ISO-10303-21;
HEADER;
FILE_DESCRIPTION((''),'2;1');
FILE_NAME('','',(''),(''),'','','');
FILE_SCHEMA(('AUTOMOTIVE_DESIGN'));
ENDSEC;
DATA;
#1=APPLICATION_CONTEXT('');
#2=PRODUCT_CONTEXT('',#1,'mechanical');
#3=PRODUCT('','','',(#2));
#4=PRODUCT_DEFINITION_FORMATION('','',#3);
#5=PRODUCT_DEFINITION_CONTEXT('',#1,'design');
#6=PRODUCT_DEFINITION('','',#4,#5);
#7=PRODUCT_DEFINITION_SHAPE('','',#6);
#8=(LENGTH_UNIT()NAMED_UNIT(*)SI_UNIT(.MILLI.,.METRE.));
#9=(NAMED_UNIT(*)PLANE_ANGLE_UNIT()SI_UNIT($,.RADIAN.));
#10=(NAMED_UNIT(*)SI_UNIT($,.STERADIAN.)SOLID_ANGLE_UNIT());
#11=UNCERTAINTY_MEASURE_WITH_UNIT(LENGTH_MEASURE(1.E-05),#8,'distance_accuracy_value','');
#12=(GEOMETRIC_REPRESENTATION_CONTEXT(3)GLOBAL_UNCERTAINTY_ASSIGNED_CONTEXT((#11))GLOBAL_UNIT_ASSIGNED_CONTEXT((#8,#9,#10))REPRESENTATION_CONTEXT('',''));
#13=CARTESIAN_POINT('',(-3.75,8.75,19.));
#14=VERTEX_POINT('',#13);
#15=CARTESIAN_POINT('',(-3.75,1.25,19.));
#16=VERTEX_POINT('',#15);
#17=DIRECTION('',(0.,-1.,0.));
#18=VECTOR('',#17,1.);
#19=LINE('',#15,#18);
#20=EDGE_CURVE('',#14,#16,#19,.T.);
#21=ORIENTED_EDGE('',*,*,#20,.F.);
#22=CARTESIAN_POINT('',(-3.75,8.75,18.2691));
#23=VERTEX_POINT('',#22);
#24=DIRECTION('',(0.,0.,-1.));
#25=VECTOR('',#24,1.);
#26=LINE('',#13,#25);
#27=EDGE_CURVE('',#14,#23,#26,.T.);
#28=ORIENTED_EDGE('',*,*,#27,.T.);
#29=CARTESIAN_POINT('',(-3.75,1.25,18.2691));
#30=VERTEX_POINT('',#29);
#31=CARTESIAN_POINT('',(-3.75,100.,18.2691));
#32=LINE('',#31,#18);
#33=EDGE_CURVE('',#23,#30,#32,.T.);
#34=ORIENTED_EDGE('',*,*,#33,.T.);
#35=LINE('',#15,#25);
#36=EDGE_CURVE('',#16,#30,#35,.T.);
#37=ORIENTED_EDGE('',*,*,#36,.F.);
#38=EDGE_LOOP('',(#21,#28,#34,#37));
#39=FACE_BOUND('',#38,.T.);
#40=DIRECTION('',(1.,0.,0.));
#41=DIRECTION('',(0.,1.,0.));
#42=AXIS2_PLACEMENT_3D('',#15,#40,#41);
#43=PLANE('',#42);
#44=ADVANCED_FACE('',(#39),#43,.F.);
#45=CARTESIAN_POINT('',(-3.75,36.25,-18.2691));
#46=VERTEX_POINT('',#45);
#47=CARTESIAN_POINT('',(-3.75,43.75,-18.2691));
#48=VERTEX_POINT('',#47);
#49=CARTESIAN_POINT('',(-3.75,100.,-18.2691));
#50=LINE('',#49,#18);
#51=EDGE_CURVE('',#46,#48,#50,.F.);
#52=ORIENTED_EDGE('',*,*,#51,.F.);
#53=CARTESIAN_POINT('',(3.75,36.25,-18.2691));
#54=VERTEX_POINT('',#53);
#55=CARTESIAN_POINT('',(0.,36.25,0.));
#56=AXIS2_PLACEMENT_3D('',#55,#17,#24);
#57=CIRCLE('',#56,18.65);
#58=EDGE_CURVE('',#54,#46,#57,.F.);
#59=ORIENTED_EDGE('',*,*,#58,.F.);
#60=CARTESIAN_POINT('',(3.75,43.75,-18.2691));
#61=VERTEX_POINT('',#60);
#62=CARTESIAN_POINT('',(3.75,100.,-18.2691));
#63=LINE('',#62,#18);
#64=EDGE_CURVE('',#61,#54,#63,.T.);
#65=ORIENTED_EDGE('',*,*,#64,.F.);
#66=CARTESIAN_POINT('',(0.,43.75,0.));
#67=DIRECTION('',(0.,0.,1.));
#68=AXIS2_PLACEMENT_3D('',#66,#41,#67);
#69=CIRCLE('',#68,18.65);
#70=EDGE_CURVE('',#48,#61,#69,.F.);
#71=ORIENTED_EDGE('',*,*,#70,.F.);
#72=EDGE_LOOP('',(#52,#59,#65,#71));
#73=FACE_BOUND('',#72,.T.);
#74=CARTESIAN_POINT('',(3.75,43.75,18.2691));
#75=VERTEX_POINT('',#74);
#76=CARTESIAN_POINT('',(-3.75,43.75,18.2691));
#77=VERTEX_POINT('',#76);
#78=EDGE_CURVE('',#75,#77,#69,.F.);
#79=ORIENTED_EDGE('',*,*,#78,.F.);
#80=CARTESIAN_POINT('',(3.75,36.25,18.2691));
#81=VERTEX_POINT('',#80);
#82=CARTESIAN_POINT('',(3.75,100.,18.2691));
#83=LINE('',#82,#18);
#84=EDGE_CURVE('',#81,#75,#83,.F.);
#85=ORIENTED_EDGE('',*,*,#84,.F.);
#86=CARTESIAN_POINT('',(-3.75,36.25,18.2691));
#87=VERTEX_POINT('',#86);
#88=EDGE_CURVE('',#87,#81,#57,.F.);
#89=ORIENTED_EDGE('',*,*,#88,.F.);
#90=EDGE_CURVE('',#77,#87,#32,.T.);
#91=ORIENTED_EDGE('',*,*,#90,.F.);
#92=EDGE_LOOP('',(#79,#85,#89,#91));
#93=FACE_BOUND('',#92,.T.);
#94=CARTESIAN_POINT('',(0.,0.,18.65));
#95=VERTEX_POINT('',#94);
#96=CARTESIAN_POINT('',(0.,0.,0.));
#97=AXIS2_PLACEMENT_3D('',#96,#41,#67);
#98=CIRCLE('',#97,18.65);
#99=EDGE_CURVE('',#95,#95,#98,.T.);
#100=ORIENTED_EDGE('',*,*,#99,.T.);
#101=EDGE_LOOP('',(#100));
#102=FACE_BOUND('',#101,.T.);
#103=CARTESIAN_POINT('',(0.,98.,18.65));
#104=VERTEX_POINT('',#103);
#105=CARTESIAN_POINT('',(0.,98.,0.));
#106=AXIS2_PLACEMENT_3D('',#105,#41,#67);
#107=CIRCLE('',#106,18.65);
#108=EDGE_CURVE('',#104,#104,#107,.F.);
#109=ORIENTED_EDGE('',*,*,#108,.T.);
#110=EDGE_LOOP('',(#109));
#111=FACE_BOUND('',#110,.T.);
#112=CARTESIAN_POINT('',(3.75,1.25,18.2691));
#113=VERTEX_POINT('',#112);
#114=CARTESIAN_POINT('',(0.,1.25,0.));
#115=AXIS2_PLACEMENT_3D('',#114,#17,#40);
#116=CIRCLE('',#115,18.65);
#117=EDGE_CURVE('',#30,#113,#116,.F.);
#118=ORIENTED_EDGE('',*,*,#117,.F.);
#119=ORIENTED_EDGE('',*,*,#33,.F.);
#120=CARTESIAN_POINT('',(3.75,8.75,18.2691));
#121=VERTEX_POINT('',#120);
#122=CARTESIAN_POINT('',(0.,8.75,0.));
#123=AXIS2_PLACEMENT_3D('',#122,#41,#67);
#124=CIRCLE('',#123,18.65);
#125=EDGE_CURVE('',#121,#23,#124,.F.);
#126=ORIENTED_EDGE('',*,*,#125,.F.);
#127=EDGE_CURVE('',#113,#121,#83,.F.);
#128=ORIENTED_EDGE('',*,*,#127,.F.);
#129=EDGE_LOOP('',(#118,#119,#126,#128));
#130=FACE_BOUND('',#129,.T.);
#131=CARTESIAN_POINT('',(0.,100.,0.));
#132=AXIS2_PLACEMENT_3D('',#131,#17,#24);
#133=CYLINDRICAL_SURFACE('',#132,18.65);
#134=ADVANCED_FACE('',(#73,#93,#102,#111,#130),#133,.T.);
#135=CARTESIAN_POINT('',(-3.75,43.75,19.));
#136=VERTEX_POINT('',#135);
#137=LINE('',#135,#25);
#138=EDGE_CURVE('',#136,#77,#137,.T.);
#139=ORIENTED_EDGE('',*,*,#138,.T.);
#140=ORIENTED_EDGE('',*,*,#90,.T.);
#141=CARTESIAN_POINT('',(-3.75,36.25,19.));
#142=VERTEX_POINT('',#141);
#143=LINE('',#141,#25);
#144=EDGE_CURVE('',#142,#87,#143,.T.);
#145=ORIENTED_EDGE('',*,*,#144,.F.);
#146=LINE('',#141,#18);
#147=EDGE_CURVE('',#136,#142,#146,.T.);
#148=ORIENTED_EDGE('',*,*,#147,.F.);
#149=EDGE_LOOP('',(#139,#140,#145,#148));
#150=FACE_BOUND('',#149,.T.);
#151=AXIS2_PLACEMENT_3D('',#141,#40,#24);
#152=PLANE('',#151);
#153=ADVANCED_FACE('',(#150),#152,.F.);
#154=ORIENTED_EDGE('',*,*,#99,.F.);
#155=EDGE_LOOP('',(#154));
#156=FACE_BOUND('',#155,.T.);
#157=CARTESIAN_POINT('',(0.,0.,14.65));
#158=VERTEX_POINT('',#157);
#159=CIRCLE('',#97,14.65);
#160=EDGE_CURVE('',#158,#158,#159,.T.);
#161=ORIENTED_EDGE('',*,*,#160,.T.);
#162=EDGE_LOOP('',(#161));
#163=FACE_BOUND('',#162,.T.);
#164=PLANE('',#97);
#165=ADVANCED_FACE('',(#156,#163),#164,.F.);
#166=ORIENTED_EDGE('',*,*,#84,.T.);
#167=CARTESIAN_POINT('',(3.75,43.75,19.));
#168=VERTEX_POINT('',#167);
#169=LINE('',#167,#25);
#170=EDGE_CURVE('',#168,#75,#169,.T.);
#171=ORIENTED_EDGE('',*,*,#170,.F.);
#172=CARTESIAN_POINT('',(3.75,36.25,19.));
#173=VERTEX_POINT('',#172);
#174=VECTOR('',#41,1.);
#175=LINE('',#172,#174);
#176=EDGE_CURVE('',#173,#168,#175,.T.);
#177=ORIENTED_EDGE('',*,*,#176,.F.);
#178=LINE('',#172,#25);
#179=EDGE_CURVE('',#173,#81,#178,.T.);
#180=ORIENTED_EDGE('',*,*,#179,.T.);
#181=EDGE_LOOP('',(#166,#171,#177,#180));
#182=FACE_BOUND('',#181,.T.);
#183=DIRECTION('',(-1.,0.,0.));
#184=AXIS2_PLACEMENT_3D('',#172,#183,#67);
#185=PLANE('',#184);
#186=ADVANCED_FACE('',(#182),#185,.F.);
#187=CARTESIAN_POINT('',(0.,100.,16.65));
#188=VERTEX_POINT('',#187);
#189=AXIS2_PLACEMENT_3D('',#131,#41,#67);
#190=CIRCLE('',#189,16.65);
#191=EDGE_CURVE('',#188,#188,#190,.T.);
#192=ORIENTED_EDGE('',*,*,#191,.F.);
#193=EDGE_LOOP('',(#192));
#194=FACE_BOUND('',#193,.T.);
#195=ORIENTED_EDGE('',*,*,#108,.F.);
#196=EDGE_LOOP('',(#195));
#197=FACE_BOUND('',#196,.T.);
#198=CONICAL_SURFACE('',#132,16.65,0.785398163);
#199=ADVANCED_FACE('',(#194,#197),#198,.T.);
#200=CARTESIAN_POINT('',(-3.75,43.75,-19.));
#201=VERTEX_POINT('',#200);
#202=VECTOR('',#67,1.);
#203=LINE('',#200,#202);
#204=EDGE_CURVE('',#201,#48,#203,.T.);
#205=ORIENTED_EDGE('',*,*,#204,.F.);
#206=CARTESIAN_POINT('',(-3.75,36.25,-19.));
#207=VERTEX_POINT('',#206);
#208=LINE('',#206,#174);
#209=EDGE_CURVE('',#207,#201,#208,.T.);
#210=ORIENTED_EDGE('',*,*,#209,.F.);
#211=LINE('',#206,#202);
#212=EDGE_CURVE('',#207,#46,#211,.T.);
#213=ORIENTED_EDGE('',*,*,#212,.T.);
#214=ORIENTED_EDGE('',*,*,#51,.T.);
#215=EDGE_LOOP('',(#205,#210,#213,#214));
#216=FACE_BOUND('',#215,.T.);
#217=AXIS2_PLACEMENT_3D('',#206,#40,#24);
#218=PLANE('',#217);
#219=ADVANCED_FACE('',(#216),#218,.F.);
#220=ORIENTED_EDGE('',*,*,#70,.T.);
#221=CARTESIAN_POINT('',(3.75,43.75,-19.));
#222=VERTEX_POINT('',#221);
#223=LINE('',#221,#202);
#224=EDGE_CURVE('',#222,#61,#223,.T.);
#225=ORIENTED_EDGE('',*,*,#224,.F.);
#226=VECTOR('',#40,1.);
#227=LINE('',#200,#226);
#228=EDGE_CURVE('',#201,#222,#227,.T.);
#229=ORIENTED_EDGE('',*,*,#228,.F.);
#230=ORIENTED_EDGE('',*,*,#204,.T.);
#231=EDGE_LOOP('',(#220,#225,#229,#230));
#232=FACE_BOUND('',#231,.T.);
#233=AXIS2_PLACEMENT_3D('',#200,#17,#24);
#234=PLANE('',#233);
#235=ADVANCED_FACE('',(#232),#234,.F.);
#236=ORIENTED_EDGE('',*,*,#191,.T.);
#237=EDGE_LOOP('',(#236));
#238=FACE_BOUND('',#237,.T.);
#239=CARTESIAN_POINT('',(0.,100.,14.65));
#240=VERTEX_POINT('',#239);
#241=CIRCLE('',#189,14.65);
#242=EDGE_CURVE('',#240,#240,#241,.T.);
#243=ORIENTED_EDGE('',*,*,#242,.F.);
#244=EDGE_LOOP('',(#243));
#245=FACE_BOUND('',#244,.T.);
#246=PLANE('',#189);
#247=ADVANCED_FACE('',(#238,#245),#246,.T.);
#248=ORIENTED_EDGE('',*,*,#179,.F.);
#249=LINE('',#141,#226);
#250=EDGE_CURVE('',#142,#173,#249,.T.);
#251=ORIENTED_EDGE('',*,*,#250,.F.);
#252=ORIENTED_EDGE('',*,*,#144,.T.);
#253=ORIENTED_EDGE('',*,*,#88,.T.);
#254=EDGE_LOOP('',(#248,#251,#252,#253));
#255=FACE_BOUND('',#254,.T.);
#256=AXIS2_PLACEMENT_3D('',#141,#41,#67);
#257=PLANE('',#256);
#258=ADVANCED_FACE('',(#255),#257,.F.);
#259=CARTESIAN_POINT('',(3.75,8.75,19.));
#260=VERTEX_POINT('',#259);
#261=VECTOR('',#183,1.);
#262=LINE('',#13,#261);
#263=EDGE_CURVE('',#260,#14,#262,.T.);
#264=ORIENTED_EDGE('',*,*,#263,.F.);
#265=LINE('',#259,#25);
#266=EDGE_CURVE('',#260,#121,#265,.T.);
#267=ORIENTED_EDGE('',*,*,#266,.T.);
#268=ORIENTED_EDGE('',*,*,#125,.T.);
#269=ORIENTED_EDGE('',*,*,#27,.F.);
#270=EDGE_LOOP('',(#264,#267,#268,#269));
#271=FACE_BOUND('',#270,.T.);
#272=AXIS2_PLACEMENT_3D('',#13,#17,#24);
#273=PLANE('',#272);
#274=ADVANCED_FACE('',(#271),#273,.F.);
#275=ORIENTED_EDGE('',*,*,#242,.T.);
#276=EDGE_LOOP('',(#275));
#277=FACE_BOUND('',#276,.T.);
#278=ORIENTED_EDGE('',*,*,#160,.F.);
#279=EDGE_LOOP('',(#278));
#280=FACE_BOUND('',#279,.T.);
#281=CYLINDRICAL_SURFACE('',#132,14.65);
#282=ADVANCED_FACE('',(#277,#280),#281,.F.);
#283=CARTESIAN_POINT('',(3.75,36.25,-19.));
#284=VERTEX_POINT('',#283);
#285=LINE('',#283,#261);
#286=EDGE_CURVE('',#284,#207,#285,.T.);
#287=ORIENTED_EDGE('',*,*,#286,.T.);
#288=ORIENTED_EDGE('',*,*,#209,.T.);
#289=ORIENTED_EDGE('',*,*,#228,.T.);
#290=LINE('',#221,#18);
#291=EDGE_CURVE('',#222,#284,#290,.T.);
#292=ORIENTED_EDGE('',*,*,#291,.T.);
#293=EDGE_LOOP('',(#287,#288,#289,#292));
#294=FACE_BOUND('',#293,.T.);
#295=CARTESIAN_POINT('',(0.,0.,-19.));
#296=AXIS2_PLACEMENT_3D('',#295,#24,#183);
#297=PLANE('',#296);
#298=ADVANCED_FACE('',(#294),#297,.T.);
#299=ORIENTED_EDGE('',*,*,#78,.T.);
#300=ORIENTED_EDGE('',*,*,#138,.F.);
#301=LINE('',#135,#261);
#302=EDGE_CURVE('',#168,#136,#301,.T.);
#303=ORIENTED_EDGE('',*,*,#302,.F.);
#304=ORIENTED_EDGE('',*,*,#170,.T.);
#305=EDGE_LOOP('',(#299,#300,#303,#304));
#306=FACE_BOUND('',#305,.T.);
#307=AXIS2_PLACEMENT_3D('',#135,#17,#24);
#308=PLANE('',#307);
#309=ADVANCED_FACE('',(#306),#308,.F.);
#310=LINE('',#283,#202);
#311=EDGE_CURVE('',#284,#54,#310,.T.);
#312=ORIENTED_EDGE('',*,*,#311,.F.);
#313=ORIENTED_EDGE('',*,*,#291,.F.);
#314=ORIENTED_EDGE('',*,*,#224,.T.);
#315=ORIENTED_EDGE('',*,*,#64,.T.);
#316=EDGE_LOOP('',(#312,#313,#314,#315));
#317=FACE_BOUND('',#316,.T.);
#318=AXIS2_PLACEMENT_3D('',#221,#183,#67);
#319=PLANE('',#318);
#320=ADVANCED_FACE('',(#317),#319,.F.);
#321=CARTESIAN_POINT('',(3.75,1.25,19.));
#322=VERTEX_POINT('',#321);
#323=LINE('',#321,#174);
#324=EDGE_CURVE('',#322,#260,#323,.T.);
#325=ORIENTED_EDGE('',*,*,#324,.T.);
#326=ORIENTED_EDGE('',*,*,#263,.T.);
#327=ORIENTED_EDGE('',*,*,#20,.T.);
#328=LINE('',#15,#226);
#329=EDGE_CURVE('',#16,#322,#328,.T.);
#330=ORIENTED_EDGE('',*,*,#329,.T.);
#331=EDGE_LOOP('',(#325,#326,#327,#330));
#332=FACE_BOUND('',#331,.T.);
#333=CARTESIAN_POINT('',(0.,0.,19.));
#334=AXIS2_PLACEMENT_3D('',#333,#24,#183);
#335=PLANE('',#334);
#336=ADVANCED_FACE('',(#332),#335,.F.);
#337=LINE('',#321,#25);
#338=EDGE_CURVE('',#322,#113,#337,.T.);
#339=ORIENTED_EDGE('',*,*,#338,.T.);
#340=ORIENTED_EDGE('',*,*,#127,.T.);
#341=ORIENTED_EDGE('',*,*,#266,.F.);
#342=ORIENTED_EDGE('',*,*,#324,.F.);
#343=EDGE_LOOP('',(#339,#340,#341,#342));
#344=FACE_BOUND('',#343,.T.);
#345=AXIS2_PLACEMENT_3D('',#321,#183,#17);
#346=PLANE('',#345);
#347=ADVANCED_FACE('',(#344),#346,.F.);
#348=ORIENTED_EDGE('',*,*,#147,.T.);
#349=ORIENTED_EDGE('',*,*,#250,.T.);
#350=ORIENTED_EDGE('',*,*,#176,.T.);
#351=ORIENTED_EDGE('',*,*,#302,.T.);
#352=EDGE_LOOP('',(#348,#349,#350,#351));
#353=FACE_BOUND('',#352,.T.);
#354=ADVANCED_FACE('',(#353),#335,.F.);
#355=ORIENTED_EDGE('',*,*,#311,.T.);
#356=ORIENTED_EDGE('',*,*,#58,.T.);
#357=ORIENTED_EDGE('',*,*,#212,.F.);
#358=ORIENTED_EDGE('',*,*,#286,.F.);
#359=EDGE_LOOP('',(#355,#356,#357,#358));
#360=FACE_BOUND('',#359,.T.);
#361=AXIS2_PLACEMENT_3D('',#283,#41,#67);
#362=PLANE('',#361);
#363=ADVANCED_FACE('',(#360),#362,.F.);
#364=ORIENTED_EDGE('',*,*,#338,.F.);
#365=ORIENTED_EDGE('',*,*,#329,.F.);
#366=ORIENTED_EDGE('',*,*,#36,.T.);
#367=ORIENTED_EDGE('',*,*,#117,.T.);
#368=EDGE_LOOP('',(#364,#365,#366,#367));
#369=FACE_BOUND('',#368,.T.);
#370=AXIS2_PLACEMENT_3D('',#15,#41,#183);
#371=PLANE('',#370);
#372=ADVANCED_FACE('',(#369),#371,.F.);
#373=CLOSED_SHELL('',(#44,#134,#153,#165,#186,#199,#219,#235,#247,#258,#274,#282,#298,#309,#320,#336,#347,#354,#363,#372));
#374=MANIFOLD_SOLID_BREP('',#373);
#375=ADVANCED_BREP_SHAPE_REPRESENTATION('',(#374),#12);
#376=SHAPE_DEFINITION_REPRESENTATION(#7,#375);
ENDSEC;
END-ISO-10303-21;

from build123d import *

# Parameters (mm, degrees)
SKETCH1_R                       = 18.65
SKETCH1_R_2                     = 14.65
BOSS_EXTRUDE1_DEPTH             = 100
BOSS_EXTRUDE2_REACH             = 110.347
BOSS_EXTRUDE2_END_RADIUS        = 18.65
SKETCH3_W                       = 7.5
SKETCH3_H                       = 7.5
BOSS_EXTRUDE2_DIRECTION_2_DEPTH = 0.35
BOSS_EXTRUDE3_REACH             = 110.468
BOSS_EXTRUDE3_END_RADIUS        = 18.65
SKETCH4_W                       = 7.5
SKETCH4_H                       = 7.5
BOSS_EXTRUDE3_DIRECTION_2_DEPTH = 0.35
CHAMFER1_SIZE                   = 2


with BuildPart() as part:
    # Sketch1 → Boss-Extrude1 (new body)
    with BuildSketch(Plane(origin=(0, 0, 0), x_dir=(1, 0, 0), z_dir=(0, 1, 0))):
        Circle(SKETCH1_R)
        Circle(SKETCH1_R_2, mode=Mode.SUBTRACT)
    extrude(amount=BOSS_EXTRUDE1_DEPTH)

    # Boss-Extrude2: up to this cylinder (the profile starts outside it)
    boss_extrude2_end = Plane(origin=(0, 22.5, 0), z_dir=(0, -1, 0)) * Cylinder(BOSS_EXTRUDE2_END_RADIUS, 293.994, mode=Mode.PRIVATE)
    # Sketch3 → Boss-Extrude2 (add, up to the surface)
    with BuildSketch(Plane.XY.offset(18.65), mode=Mode.PRIVATE) as boss_extrude2_sk1:
        with Locations((0, 5)):
            Rectangle(SKETCH3_W, SKETCH3_H)
    boss_extrude2_tool1 = extrude(boss_extrude2_sk1.sketch, amount=-BOSS_EXTRUDE2_REACH, mode=Mode.PRIVATE) - boss_extrude2_end
    add(boss_extrude2_tool1.solids().sort_by_distance((0, 5, 18.65))[0])
    add(boss_extrude2_tool1.solids().sort_by_distance((0, 5, 18.65))[1])
    # Sketch3 → Boss-Extrude2 (add, up to the surface)
    with BuildSketch(Plane.XY.offset(18.65), mode=Mode.PRIVATE) as boss_extrude2_sk2:
        with Locations((0, 40)):
            Rectangle(SKETCH3_W, SKETCH3_H)
    boss_extrude2_tool2 = extrude(boss_extrude2_sk2.sketch, amount=-BOSS_EXTRUDE2_REACH, mode=Mode.PRIVATE) - boss_extrude2_end
    add(boss_extrude2_tool2.solids().sort_by_distance((0, 40, 18.65))[0])
    add(boss_extrude2_tool2.solids().sort_by_distance((0, 40, 18.65))[1])

    # Sketch3 → Boss-Extrude2 direction 2 (add)
    with BuildSketch(Plane.XY.offset(18.65)):
        with Locations((0, 5)):
            Rectangle(SKETCH3_W, SKETCH3_H)
        with Locations((0, 40)):
            Rectangle(SKETCH3_W, SKETCH3_H)
    extrude(amount=BOSS_EXTRUDE2_DIRECTION_2_DEPTH)

    # Boss-Extrude3: up to this cylinder (the profile starts outside it)
    boss_extrude3_end = Plane(origin=(0, 40, 0), z_dir=(0, -1, 0)) * Cylinder(BOSS_EXTRUDE3_END_RADIUS, 259.236, mode=Mode.PRIVATE)
    # Sketch4 → Boss-Extrude3 (add, up to the surface)
    with BuildSketch(Plane(origin=(0, 0, -18.65), x_dir=(-1, 0, 0), z_dir=(0, 0, -1)), mode=Mode.PRIVATE) as boss_extrude3_sk1:
        with Locations((0, 40)):
            Rectangle(SKETCH4_W, SKETCH4_H)
    boss_extrude3_tool1 = extrude(boss_extrude3_sk1.sketch, amount=-BOSS_EXTRUDE3_REACH, mode=Mode.PRIVATE) - boss_extrude3_end
    add(boss_extrude3_tool1.solids().sort_by_distance((0, 40, -18.65))[0])
    add(boss_extrude3_tool1.solids().sort_by_distance((0, 40, -18.65))[1])

    # Sketch4 → Boss-Extrude3 direction 2 (add)
    with BuildSketch(Plane(origin=(0, 0, -18.65), x_dir=(-1, 0, 0), z_dir=(0, 0, -1))):
        with Locations((0, 40)):
            Rectangle(SKETCH4_W, SKETCH4_H)
    extrude(amount=BOSS_EXTRUDE3_DIRECTION_2_DEPTH)

    # Chamfer1
    chamfer1_edges = [part.edges().sort_by_distance(p)[0] for p in [
        (-18.65, 100, 0),
    ]]
    chamfer(chamfer1_edges, length=CHAMFER1_SIZE)


solid = part.part
